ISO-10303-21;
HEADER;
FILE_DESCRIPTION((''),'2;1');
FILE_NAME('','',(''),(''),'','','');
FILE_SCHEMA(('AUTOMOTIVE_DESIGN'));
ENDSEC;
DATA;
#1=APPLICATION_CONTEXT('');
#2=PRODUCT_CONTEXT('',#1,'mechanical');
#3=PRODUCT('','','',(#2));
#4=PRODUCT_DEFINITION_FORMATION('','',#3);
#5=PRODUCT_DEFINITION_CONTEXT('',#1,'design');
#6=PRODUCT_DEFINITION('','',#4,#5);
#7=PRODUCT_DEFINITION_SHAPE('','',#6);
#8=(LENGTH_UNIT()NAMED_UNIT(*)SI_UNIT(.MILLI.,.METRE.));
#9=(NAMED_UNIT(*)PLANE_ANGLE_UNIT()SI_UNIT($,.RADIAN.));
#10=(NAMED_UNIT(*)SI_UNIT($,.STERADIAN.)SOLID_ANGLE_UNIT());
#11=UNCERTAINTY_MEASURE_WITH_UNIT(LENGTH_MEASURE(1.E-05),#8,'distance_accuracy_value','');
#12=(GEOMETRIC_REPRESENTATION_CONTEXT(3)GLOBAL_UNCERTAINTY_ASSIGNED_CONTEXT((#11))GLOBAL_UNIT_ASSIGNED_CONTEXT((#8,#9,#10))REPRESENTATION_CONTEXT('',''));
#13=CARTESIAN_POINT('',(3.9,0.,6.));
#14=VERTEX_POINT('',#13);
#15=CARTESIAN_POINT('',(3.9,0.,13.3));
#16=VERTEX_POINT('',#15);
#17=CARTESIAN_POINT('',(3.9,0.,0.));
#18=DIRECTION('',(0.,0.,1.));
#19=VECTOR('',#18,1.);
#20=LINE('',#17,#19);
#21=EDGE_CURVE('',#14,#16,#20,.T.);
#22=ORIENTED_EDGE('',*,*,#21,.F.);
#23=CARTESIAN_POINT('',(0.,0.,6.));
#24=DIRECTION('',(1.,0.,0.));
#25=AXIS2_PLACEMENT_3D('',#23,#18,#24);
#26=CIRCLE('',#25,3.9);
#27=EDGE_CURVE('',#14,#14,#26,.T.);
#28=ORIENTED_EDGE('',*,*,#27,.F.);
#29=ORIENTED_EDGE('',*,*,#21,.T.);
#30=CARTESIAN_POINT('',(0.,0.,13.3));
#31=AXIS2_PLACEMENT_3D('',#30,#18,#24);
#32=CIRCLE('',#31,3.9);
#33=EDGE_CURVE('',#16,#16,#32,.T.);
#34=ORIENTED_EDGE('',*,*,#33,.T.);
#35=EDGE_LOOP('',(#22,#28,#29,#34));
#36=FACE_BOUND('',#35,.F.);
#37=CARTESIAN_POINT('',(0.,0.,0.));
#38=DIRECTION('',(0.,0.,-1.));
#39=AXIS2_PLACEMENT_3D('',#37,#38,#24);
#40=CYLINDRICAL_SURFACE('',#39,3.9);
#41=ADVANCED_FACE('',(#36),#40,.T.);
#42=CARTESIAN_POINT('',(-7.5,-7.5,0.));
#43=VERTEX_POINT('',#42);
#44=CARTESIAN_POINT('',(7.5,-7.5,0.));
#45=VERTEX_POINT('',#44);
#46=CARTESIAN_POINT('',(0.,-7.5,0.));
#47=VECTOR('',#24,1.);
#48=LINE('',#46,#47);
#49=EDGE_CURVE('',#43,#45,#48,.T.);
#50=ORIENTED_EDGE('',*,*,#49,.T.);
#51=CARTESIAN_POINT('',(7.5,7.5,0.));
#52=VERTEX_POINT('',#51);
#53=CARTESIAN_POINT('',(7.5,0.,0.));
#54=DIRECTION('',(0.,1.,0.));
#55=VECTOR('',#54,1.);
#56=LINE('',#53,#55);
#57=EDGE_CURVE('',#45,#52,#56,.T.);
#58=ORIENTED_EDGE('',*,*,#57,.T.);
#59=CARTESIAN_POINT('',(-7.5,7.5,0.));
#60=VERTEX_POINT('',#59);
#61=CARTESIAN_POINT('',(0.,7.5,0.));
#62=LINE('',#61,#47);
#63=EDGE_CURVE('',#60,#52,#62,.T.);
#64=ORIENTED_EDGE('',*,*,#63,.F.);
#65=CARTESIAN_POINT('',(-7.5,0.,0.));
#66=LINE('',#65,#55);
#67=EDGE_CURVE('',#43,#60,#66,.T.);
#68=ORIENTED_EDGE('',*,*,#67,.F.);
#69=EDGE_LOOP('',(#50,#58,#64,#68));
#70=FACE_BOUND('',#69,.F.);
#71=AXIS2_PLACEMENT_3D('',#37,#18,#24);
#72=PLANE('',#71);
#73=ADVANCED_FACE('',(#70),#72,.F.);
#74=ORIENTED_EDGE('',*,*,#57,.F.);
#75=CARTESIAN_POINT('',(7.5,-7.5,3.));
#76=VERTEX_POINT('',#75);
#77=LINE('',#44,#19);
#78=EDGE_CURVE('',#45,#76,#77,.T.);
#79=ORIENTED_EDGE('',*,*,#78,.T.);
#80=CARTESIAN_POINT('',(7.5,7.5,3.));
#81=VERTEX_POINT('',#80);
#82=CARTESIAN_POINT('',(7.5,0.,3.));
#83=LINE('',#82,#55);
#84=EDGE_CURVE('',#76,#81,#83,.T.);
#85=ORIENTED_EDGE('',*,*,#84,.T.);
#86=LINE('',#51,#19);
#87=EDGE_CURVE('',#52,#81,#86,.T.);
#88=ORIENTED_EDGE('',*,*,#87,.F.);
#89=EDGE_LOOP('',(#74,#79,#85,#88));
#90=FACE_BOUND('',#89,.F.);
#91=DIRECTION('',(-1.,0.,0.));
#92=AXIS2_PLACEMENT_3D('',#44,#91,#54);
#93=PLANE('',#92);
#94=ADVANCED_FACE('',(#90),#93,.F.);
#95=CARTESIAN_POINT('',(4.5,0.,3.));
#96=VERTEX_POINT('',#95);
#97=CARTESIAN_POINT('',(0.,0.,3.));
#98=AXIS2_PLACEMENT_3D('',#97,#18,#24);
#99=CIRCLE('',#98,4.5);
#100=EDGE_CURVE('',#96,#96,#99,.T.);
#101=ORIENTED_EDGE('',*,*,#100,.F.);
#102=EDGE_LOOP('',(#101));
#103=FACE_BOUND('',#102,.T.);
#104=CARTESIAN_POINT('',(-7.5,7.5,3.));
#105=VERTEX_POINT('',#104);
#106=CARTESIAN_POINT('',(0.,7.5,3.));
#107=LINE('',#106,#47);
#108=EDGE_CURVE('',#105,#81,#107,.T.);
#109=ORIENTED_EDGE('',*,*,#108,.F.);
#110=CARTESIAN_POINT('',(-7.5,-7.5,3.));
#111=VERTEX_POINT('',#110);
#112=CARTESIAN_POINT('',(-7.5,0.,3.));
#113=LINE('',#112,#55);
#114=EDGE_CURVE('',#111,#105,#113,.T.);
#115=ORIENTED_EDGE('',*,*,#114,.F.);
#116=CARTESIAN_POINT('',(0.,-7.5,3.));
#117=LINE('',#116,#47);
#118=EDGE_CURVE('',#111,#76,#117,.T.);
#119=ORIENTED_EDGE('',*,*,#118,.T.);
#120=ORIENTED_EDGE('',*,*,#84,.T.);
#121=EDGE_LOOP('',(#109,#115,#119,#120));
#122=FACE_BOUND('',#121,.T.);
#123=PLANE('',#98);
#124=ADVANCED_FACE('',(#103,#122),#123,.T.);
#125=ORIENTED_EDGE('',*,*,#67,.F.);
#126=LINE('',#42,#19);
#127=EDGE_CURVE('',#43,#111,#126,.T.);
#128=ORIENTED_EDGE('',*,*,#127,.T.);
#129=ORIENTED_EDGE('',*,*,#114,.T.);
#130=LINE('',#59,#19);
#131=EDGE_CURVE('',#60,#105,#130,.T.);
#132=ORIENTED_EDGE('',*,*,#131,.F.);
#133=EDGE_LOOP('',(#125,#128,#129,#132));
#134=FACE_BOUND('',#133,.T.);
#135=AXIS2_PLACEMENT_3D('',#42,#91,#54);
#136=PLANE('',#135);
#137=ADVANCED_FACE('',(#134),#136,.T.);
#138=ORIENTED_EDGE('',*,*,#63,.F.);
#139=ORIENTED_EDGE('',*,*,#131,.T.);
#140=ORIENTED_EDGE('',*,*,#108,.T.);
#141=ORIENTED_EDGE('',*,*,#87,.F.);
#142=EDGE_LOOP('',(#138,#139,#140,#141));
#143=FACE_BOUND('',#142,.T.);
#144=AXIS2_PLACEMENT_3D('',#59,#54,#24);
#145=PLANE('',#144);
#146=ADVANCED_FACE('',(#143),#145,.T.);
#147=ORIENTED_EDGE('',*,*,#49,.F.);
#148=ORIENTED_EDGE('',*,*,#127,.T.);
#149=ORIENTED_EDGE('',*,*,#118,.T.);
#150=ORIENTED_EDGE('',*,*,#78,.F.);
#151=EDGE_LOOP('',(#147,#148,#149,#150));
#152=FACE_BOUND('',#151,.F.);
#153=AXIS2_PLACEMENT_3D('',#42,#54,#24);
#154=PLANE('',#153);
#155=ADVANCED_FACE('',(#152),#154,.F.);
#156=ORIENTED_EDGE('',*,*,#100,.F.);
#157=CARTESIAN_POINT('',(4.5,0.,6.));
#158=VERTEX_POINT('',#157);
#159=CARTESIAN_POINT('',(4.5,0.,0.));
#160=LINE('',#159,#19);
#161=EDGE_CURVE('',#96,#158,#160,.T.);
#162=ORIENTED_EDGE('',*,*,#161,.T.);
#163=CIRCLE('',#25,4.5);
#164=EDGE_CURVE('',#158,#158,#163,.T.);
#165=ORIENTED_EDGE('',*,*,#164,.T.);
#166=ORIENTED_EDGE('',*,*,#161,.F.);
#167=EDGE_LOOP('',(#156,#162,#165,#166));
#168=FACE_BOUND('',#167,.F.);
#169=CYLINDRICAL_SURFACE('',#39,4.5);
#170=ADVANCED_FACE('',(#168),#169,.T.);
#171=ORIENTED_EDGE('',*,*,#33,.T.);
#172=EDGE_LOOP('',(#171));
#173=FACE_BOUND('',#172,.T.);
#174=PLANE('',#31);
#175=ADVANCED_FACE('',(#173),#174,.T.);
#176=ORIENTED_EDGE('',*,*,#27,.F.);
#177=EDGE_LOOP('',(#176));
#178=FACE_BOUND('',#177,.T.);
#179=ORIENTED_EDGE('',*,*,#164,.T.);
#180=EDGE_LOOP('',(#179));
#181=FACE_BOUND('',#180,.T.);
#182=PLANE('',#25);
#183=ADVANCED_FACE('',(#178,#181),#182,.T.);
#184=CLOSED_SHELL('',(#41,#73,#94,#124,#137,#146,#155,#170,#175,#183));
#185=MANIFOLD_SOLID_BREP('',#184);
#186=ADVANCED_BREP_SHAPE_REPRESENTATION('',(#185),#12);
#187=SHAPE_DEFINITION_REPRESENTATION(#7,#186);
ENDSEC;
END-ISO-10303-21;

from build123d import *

# Parameters (mm, degrees)
F0_W     = 15
F0_H     = 15
F0_R     = 4.5
F1_DEPTH = 3
F0_R_2   = 3.9
F2_DEPTH = 6
F3_DEPTH = 13.3


with BuildPart() as f1:
    # F0 (on Top) → F1 (new body)
    with BuildSketch(Plane.XY):
        Rectangle(F0_W, F0_H)
        Circle(F0_R, mode=Mode.SUBTRACT)
    extrude(amount=F1_DEPTH)

    # F0 (on Top) → F2 (join)
    with BuildSketch(Plane.XY):
        Circle(F0_R)
        Circle(F0_R_2, mode=Mode.SUBTRACT)
    extrude(amount=F2_DEPTH)

    # F0 (on Top) → F3 (join)
    with BuildSketch(Plane.XY):
        Circle(F0_R_2)
    extrude(amount=F3_DEPTH)


solid = f1.part
